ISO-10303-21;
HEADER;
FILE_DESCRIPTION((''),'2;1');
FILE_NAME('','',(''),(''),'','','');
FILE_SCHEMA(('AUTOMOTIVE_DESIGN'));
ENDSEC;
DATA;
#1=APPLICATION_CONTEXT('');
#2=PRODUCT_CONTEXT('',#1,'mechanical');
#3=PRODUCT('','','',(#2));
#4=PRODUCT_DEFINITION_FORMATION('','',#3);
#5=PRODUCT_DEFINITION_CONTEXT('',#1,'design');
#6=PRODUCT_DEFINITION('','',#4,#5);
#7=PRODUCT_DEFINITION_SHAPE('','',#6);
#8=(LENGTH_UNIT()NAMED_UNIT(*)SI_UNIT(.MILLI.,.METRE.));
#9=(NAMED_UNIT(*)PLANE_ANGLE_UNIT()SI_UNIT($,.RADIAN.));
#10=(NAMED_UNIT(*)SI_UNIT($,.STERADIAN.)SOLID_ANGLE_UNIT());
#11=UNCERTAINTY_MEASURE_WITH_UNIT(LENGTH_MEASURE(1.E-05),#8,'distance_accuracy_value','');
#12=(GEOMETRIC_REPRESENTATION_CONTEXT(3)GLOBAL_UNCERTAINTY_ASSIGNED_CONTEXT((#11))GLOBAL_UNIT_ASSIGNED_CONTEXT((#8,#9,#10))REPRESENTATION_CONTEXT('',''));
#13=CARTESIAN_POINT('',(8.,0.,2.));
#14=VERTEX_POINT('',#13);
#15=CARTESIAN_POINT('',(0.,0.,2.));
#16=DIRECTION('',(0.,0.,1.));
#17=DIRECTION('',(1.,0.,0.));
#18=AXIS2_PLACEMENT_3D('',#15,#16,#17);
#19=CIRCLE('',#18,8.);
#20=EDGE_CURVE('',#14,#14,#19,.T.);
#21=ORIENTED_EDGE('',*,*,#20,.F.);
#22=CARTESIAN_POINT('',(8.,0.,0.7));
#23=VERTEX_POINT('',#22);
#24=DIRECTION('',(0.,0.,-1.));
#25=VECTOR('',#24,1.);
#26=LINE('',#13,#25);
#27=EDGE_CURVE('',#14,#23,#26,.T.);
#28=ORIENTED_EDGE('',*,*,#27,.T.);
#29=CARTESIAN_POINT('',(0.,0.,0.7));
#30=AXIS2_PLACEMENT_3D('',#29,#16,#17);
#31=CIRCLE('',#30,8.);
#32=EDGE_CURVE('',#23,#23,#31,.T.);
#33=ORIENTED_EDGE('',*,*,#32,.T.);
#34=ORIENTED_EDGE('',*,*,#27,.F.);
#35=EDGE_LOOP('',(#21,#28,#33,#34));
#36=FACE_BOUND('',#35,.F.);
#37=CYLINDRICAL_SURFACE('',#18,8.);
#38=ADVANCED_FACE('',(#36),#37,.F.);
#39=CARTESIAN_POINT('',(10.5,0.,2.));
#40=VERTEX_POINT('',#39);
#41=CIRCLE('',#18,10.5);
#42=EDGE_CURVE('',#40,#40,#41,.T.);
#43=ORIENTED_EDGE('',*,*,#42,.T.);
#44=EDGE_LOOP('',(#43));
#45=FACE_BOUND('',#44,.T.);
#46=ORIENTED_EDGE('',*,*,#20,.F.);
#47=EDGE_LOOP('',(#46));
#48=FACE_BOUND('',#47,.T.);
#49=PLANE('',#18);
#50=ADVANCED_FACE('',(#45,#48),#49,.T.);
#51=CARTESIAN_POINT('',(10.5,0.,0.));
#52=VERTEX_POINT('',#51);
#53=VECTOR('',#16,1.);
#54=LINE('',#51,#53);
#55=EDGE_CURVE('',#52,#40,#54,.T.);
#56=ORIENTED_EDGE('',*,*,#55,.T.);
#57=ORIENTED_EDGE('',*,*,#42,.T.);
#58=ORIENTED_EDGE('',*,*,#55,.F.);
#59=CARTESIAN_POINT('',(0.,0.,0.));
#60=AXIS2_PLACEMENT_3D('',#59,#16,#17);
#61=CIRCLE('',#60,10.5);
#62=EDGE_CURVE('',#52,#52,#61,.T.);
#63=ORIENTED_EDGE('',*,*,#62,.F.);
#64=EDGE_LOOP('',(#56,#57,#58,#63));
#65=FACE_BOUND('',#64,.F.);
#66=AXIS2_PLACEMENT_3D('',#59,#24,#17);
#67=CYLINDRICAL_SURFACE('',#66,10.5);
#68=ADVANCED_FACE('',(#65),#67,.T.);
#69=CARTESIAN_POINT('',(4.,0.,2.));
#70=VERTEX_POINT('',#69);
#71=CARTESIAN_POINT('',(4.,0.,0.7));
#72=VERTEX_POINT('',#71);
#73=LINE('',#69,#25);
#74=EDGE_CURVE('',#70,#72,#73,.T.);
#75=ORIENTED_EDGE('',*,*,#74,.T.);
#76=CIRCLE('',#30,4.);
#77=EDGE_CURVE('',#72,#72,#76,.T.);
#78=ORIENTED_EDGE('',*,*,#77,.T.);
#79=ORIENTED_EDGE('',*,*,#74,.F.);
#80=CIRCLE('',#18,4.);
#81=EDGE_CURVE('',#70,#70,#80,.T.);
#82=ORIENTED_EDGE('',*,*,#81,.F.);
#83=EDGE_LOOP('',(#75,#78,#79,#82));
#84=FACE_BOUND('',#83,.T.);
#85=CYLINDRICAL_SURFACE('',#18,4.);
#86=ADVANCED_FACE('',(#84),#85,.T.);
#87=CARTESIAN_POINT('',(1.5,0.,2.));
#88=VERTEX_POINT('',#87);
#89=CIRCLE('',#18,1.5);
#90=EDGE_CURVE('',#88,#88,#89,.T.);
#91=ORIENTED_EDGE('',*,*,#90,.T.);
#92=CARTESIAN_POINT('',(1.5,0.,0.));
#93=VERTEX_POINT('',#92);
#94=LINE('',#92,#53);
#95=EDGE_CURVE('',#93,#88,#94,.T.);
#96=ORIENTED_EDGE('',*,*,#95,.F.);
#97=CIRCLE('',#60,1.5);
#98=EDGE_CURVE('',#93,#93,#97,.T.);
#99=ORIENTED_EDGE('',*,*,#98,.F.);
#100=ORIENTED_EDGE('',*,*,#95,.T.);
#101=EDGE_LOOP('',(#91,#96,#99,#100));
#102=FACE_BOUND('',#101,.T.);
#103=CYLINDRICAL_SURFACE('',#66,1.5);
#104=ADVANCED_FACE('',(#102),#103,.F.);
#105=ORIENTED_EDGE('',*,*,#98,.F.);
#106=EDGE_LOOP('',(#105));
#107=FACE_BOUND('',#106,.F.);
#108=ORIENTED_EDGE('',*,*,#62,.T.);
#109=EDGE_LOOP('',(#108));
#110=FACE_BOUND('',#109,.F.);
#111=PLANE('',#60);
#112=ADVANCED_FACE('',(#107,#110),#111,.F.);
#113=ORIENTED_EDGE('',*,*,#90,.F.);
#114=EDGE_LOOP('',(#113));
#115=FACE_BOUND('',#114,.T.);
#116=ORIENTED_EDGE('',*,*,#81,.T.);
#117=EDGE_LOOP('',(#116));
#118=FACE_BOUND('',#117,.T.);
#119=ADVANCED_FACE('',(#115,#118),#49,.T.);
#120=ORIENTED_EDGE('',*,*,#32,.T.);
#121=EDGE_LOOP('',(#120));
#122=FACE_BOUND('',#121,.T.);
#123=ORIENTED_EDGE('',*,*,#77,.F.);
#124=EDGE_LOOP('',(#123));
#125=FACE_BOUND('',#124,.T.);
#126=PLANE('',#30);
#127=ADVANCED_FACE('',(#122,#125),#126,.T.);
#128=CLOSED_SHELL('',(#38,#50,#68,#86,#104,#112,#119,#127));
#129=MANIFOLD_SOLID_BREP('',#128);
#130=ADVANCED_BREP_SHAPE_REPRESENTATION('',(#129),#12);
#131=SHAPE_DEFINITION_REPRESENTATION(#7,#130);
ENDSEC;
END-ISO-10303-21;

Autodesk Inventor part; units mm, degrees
ref_plane "YZ Plane" through (0, 0, 0) normal (1, 0, 0) x (0, 1, 0)
ref_plane "XZ Plane" through (0, 0, 0) normal (0, 1, 0) x (-1, 0, 0)
ref_plane "XY Plane" through (0, 0, 0) normal (0, 0, 1) x (1, 0, 0)
sketch "スケッチ1" plane through (0, 0, 0) normal (0, 0, 1) x (1, 0, 0)
  circle A0 centre (0, 0) radius 1.5
  circle A1 centre (0, 0) radius 10.5
  dimension "d0" = 3
  dimension "d1" = 21
extrude "押し出し1" add sketch "スケッチ1" along normal blind 2
sketch "スケッチ2" plane through (0, 0, 2) normal (0, 0, 1) x (1, 0, 0)
  circle A0 centre (0, 0) radius 10.5 projected
  circle A1 centre (0, 0) radius 1.5 projected
  circle A2 centre (0, 0) radius 8
  circle A3 centre (0, 0) radius 4
  dimension "d4" = 2.5
  dimension "d5" = 2.5
  dimension "d6" = 4
extrude "押し出し2" cut sketch "スケッチ2" against normal blind 1.3 contours A2
properties part number "ウィング引っ掛け" material "ポリカーボネート、スモーク"
